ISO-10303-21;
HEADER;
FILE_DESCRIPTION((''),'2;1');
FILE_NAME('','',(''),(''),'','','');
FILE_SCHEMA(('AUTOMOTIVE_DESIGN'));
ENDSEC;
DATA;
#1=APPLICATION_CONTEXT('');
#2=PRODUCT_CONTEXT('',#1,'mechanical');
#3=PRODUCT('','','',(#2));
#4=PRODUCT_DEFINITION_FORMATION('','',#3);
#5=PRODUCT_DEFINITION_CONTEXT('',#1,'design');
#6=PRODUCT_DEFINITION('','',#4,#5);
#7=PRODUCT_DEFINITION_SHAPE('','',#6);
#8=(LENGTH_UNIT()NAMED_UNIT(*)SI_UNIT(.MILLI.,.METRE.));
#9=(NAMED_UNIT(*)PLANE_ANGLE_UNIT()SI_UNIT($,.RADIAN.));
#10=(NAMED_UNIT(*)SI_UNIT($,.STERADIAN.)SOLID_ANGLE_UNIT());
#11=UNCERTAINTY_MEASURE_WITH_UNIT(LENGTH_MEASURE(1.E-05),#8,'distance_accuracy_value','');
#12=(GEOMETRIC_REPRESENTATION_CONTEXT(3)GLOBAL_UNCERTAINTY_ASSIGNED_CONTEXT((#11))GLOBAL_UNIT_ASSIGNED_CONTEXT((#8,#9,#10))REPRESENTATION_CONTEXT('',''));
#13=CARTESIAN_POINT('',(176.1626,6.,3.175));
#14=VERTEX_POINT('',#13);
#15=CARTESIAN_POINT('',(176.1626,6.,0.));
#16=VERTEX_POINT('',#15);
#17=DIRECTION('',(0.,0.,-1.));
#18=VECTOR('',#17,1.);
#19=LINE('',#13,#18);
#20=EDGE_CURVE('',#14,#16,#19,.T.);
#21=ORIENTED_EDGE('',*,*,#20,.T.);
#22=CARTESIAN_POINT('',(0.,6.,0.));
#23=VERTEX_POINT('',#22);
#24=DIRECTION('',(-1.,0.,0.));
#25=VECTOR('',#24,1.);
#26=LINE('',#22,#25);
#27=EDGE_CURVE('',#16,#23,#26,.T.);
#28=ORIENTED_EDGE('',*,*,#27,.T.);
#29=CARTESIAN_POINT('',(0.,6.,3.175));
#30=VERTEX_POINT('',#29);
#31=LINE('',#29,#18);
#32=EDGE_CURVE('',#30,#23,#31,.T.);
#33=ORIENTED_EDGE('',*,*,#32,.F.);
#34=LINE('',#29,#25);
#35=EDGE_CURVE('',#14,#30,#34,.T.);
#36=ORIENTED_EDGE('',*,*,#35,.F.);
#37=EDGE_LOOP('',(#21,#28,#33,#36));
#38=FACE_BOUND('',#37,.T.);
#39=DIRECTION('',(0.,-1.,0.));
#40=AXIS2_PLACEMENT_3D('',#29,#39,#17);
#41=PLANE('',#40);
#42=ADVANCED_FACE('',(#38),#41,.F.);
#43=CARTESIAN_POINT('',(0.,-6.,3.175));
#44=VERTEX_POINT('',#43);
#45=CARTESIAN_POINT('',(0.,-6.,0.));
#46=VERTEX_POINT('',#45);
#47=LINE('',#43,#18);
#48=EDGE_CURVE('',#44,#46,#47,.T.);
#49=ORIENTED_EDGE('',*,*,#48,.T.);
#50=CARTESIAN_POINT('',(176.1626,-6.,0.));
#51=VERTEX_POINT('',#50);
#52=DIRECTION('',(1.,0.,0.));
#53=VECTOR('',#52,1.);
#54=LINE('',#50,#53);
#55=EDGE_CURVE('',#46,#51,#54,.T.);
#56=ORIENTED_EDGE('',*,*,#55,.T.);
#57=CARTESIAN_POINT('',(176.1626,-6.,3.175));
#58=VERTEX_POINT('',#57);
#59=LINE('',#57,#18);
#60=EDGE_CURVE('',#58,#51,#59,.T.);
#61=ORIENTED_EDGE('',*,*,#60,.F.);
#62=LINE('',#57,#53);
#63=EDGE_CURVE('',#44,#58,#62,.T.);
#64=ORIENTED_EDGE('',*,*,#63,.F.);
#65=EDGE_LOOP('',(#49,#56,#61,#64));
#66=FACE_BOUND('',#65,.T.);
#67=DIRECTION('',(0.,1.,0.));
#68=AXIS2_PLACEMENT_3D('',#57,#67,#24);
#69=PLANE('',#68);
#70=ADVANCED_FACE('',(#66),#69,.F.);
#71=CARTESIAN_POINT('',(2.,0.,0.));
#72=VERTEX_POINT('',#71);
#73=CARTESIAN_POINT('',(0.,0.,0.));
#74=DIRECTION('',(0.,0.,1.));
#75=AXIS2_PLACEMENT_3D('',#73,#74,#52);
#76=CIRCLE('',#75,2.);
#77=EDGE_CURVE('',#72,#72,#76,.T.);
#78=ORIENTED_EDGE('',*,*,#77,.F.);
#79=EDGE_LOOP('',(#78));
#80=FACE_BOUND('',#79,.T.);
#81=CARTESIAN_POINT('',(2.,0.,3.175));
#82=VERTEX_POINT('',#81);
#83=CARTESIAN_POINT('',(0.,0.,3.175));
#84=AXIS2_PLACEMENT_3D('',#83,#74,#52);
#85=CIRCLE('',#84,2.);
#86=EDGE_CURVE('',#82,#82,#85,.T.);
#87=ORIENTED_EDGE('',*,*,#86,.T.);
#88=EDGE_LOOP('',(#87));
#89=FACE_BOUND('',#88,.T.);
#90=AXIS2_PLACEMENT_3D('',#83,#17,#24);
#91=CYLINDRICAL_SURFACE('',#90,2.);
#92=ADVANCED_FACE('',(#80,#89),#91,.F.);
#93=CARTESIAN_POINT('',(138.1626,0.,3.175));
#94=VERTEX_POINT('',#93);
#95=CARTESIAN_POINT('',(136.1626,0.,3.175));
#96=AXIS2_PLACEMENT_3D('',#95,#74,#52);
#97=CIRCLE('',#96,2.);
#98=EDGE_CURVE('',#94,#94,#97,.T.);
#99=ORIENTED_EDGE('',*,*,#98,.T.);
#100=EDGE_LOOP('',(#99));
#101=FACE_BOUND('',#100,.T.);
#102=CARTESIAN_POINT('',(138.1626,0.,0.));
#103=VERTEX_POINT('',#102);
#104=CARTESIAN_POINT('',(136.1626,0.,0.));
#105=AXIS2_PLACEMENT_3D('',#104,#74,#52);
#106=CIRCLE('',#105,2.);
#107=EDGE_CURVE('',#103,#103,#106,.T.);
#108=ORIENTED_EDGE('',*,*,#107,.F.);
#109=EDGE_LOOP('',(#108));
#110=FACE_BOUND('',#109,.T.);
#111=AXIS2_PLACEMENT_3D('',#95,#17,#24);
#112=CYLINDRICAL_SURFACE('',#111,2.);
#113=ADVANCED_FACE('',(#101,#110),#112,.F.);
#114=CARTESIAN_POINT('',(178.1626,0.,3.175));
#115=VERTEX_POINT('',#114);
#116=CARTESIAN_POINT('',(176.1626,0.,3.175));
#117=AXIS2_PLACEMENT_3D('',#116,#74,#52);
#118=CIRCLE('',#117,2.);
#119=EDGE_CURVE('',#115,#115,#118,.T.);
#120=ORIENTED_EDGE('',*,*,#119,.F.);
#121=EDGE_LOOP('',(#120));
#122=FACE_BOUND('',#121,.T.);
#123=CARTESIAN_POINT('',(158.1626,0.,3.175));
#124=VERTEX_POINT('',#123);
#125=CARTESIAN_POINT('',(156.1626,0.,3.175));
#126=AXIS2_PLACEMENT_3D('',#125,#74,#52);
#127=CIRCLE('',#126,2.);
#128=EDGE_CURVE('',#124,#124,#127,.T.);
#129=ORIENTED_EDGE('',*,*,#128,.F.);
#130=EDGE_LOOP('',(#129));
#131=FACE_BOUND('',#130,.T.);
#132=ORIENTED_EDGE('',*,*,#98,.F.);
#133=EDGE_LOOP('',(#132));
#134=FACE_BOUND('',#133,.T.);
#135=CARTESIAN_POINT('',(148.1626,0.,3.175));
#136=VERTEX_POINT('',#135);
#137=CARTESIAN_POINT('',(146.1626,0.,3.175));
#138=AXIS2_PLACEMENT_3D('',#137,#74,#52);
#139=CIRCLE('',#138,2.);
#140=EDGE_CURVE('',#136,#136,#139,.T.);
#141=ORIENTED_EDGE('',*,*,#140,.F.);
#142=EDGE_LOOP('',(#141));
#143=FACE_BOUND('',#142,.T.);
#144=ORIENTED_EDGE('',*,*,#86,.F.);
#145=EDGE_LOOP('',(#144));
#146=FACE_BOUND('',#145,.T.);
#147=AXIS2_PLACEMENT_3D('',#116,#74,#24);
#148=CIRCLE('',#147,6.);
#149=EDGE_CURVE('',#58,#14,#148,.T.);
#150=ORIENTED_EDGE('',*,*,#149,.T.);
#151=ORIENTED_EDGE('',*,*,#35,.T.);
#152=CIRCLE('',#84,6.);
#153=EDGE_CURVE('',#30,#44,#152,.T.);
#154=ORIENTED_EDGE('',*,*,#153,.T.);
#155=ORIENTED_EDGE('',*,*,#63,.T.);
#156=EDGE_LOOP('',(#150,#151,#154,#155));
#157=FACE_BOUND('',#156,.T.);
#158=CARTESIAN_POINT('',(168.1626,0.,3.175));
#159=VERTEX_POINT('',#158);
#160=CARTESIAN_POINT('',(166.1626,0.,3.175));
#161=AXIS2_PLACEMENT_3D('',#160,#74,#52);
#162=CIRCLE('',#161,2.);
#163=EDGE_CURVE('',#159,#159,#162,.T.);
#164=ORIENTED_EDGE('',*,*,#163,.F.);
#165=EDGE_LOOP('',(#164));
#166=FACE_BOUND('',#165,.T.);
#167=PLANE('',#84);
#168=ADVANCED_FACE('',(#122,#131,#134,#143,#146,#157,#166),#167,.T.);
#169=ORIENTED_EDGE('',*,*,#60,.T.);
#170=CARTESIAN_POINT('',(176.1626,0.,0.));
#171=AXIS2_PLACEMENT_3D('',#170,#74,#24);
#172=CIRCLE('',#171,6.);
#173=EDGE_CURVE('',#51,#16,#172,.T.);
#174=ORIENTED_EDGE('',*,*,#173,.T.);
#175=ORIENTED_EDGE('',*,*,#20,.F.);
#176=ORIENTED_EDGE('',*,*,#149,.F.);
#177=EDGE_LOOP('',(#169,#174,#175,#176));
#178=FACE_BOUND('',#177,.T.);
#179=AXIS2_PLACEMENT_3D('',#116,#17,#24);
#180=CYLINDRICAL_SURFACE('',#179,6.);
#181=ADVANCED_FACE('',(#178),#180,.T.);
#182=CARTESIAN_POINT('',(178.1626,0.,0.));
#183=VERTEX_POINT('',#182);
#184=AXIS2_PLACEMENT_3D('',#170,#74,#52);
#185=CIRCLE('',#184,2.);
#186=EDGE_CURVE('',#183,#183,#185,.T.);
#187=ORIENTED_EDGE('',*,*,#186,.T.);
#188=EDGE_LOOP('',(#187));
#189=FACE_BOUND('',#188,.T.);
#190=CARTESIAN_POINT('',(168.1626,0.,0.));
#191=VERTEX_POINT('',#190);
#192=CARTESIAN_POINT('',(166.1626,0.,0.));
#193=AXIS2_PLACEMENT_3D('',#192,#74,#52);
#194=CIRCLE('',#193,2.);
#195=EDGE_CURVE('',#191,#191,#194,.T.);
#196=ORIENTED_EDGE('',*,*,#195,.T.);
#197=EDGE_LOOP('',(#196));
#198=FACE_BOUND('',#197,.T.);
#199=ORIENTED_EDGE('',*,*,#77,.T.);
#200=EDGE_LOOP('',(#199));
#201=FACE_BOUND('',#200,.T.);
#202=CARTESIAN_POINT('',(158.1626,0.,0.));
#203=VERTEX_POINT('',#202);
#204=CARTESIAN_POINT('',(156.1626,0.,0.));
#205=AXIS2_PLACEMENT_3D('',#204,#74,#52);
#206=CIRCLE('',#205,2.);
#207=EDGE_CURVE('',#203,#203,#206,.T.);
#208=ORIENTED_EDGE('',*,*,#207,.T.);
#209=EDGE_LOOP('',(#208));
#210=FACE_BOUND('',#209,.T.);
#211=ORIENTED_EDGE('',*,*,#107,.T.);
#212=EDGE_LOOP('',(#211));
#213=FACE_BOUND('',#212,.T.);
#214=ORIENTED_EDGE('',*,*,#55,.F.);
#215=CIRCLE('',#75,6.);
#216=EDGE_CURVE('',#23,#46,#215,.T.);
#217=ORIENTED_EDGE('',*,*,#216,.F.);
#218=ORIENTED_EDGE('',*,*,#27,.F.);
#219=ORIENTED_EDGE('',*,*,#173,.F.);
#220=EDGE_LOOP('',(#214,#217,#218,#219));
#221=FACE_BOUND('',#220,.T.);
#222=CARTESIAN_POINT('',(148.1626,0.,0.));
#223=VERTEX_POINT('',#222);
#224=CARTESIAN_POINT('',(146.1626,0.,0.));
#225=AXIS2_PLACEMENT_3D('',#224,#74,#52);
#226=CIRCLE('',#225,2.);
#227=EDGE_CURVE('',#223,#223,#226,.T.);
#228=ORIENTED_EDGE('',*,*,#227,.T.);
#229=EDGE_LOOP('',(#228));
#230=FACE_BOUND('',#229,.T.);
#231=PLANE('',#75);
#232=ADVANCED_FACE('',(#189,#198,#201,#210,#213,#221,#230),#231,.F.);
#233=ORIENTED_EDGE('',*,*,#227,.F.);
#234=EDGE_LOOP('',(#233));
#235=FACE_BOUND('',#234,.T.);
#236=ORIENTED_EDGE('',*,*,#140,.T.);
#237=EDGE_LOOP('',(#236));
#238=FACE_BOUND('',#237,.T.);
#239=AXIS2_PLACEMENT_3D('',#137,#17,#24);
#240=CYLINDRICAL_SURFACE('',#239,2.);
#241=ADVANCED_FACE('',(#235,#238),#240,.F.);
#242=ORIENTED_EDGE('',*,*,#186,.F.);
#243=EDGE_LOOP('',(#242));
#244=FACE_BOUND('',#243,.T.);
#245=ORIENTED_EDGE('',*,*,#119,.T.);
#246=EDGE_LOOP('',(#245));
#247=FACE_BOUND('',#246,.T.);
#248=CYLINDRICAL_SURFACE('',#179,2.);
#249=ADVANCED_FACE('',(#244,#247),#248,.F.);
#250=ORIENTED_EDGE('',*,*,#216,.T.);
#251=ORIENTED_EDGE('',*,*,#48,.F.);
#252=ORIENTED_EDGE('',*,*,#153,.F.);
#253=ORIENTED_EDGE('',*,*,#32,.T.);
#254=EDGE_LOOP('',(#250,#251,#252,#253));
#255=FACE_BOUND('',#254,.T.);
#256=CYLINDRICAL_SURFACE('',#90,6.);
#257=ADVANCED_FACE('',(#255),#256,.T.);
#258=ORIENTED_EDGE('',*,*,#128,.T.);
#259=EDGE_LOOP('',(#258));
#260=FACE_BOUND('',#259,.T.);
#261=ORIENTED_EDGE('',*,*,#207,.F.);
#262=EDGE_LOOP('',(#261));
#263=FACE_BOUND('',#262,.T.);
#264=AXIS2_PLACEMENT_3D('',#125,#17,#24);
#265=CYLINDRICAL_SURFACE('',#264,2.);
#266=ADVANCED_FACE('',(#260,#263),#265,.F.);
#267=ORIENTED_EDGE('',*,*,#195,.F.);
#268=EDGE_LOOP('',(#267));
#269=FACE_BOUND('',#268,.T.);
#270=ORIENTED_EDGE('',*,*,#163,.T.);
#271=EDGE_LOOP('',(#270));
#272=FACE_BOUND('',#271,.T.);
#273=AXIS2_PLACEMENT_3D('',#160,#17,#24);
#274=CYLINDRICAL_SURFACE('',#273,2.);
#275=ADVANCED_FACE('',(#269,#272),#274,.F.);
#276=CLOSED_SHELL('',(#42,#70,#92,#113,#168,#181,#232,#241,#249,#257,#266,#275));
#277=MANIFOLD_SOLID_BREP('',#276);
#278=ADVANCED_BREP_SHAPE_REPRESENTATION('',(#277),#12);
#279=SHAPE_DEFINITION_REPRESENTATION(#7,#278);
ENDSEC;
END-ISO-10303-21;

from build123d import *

# Parameters (mm, degrees)
SKETCH1_R           = 2
BOSS_EXTRUDE1_DEPTH = 3.175


with BuildPart() as part:
    # Sketch1 → Boss-Extrude1 (new body)
    with BuildSketch(Plane.XY):
        with BuildLine():
            Line((0, 6), (176.1626, 6))
            ThreePointArc((176.1626, 6), (182.1626, 0), (176.1626, -6))
            Line((176.1626, -6), (0, -6))
            ThreePointArc((0, -6), (-6, 0), (0, 6))
        make_face()
        Circle(SKETCH1_R, mode=Mode.SUBTRACT)
        with Locations((176.1626, 0)):
            Circle(SKETCH1_R, mode=Mode.SUBTRACT)
        with Locations((166.1626, 0)):
            Circle(SKETCH1_R, mode=Mode.SUBTRACT)
        with Locations((156.1626, 0)):
            Circle(SKETCH1_R, mode=Mode.SUBTRACT)
        with Locations((146.1626, 0)):
            Circle(SKETCH1_R, mode=Mode.SUBTRACT)
        with Locations((136.1626, 0)):
            Circle(SKETCH1_R, mode=Mode.SUBTRACT)
    extrude(amount=BOSS_EXTRUDE1_DEPTH)


solid = part.part
